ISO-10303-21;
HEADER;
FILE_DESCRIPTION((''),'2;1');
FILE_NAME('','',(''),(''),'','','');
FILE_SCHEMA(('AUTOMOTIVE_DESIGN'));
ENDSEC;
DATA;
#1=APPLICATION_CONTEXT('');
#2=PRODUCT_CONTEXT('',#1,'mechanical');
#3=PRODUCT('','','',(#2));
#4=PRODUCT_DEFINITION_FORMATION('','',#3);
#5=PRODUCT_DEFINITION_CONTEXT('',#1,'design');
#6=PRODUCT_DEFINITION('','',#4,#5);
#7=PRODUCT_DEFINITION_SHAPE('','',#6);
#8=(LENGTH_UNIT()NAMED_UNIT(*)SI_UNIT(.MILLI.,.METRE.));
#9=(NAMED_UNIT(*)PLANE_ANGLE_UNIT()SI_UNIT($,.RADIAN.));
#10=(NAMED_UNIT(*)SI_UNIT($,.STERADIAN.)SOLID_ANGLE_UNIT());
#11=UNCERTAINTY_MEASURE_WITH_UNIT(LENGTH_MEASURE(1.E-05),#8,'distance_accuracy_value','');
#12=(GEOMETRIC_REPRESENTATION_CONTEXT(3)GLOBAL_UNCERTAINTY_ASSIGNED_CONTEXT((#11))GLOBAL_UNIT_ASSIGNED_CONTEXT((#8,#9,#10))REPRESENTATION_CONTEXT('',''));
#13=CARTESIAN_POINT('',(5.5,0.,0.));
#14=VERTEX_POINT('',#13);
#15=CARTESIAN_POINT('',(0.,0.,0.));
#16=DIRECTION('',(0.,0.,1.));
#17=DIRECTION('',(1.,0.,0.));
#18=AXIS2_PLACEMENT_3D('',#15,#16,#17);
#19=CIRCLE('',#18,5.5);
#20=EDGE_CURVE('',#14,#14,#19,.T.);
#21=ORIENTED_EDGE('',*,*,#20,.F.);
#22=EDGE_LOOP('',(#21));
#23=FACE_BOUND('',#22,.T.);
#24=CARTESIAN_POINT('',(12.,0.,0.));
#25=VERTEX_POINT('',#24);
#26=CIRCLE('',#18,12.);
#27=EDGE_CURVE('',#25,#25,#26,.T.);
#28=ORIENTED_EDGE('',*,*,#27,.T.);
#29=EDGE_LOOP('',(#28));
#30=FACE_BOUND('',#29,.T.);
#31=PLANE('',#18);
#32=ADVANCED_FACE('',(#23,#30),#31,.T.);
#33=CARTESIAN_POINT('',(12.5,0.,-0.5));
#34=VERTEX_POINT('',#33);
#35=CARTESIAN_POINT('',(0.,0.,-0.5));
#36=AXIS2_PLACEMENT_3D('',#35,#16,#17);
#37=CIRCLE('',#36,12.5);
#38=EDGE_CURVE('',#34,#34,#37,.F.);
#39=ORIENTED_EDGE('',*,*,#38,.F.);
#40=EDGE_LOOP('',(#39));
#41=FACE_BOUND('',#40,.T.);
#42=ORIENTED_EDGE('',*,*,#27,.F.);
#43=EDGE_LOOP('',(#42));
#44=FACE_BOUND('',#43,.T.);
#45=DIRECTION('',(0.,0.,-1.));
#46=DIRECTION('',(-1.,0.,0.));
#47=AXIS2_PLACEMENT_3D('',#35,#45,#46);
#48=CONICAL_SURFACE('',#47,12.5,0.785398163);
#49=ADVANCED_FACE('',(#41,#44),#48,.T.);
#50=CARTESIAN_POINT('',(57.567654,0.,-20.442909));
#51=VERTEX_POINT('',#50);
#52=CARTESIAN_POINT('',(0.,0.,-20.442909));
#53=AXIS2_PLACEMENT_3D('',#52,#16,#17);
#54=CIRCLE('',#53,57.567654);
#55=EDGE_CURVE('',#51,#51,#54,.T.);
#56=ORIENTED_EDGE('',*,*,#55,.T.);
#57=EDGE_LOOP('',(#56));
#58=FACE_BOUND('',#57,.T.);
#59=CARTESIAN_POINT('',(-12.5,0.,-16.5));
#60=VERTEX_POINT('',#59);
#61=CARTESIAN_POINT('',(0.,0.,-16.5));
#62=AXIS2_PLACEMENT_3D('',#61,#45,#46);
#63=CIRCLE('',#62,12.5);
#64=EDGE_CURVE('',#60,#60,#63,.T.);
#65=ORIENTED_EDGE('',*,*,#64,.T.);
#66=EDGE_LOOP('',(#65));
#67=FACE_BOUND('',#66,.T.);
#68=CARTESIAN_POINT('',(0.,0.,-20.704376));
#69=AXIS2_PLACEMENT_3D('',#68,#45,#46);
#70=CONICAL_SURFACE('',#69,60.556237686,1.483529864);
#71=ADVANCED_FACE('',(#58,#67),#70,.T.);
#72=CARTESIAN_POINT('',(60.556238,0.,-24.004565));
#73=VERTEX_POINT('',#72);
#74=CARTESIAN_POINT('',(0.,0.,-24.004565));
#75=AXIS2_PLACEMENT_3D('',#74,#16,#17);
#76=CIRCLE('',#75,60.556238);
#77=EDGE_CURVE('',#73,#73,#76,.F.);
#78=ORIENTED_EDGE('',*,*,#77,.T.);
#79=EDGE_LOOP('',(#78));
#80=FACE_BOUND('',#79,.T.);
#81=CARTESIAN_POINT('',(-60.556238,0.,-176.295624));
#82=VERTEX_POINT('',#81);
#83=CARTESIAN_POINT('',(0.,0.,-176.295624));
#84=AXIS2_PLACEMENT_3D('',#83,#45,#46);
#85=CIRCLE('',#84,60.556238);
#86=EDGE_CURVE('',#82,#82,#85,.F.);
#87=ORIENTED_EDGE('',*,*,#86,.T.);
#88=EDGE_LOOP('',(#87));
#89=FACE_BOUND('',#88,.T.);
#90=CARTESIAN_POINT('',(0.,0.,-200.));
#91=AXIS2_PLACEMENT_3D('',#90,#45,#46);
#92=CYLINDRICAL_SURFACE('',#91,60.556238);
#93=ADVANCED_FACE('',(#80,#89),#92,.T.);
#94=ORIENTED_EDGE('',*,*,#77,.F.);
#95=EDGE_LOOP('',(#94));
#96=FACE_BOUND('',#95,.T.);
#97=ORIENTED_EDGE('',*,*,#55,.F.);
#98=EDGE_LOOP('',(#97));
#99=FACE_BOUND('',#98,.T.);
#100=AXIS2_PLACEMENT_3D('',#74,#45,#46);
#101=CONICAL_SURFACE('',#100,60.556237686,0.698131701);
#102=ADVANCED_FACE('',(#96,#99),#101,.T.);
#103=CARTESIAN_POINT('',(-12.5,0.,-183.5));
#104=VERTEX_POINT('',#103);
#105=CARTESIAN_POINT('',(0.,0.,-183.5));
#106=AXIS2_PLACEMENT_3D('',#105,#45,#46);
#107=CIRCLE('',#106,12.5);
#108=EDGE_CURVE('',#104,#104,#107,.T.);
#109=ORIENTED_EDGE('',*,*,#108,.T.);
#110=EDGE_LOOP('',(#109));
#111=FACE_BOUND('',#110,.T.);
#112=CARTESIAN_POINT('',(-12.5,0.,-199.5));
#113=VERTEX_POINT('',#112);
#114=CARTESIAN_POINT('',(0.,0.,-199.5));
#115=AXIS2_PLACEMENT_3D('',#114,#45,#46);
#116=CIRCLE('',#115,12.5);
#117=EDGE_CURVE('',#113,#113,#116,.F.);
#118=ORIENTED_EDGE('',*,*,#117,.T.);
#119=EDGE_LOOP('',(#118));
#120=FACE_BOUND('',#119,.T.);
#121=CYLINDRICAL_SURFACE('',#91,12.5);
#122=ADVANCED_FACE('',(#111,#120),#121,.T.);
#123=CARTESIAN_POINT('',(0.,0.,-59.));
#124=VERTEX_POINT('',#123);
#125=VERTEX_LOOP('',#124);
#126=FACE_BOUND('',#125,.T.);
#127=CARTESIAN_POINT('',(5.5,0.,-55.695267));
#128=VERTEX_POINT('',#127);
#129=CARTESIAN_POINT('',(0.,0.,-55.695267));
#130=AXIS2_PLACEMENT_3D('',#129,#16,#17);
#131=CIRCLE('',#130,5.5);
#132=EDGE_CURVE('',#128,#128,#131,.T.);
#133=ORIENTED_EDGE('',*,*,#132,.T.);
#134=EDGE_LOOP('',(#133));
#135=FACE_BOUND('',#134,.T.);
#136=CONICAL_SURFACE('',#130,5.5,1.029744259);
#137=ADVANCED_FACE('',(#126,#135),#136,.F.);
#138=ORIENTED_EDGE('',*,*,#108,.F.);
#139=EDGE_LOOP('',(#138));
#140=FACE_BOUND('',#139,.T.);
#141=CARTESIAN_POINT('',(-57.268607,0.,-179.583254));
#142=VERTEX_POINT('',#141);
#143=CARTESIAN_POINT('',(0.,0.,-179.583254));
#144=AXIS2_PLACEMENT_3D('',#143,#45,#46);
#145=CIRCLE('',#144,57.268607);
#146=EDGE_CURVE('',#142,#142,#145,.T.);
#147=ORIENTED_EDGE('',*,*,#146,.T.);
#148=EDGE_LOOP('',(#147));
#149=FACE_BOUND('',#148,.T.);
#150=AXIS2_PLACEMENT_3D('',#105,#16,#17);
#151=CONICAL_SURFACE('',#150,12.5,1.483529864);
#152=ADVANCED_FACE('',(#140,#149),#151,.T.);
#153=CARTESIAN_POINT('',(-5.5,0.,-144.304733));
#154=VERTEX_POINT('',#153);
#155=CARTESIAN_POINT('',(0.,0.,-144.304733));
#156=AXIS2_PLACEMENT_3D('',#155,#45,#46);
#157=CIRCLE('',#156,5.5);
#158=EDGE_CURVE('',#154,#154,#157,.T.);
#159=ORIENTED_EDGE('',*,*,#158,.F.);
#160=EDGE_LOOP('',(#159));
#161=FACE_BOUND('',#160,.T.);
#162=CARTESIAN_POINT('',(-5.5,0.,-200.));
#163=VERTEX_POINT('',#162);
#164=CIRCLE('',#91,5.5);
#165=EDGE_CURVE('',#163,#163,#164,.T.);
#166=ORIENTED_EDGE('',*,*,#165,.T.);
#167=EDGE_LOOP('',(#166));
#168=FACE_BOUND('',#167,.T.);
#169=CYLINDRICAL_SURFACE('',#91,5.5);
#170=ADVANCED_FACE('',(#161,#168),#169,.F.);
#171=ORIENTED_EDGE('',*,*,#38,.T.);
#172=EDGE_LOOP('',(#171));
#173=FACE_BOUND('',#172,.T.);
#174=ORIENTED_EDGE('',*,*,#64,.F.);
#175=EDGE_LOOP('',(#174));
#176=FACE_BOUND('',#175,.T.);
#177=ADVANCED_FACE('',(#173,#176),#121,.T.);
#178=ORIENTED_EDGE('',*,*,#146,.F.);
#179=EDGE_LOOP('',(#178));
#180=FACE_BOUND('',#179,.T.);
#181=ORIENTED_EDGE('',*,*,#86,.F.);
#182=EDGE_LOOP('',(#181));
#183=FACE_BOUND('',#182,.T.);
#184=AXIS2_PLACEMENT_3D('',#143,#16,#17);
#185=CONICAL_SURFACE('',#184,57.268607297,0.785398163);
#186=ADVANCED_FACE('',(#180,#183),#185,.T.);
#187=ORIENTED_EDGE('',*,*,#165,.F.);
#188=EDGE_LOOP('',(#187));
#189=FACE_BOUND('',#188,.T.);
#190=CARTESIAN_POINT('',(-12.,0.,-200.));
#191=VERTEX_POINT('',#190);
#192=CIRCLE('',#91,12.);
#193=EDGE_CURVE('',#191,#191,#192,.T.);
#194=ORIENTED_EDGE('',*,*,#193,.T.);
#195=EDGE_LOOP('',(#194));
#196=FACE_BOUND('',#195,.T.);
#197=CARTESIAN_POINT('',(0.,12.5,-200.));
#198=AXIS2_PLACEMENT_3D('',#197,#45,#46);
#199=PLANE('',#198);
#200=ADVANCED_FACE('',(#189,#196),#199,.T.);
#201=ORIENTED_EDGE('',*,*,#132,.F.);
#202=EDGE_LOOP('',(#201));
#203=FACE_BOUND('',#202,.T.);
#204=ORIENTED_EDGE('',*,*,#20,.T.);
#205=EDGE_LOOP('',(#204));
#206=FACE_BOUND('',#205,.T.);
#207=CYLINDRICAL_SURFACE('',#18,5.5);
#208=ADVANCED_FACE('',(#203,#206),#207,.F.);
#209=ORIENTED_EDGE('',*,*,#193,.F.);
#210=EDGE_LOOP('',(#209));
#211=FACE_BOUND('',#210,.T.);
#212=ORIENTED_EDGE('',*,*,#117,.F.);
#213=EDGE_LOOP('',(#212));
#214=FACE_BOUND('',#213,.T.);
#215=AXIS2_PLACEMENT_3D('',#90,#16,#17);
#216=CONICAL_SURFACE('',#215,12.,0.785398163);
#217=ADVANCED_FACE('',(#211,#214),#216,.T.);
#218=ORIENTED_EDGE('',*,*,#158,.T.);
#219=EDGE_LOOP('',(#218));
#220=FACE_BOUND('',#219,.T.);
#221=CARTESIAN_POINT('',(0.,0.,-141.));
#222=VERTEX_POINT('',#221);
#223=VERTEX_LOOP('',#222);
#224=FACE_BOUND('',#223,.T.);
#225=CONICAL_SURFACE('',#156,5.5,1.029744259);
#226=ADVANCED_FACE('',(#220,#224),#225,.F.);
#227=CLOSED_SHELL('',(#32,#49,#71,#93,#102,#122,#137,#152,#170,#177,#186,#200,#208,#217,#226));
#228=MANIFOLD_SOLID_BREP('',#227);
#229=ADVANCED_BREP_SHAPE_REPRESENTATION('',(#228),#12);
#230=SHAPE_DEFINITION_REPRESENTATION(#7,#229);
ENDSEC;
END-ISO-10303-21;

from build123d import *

# Parameters (mm, degrees)
CHAFL_N1_SIZE2                    = 3.300188603
CHAFL_N1_SIZE                     = 3
CHAFL_N1_EDGE_2_SIZE2             = 3
CHAFL_N1_EDGE_2_SIZE              = 3.300188603
CHAFL_N2_SIZE                     = 0.5
TALADRO_DE_MARGEN_PARA_M101_D     = 11
TALADRO_DE_MARGEN_PARA_M101_DEPTH = 55.695266595
TALADRO_DE_MARGEN_PARA_M101_TIP   = 3.304733405
TALADRO_DE_MARGEN_PARA_M102_D     = 11
TALADRO_DE_MARGEN_PARA_M102_DEPTH = 55.695266595
TALADRO_DE_MARGEN_PARA_M102_TIP   = 3.304733405


with BuildPart() as part:
    # Croquis1 → Revolución1 (revolve)
    with BuildSketch(Plane(origin=(0, 0, 0), x_dir=(0, 0, -1), z_dir=(1, 0, 0))):
        Polygon((0, 0), (0, 12.5), (16.5, 12.5), (20.704376009, 60.556237686), (179.295623991, 60.556237686), (183.5, 12.5), (200, 12.5), (200, 0), align=None)
    revolve(axis=Axis((0, 0, -200), (0, 0, 1)))

    # Chaflán1
    chafl_n1_edges = [part.edges().sort_by_distance(p)[0] for p in [
        (0, -60.556237686, -179.295623991),
    ]]
    chamfer(chafl_n1_edges, length=CHAFL_N1_SIZE, length2=CHAFL_N1_SIZE2)

    # Chaflán1 edge 2
    chafl_n1_edge_2_edges = [part.edges().sort_by_distance(p)[0] for p in [
        (0, -60.556237686, -20.704376009),
    ]]
    chamfer(chafl_n1_edge_2_edges, length=CHAFL_N1_EDGE_2_SIZE, length2=CHAFL_N1_EDGE_2_SIZE2)

    # Chaflán2
    chafl_n2_edges = [part.edges().sort_by_distance(p)[0] for p in [
        (0, -12.5, -200),
        (0, -12.5, 0),
    ]]
    chamfer(chafl_n2_edges, length=CHAFL_N2_SIZE)

    # Taladro de margen para M101
    with Locations(Plane(origin=(0, 0, -200), x_dir=(-1, 0, 0), z_dir=(0, 0, -1))):
        with Locations((0, 0)):
            Hole(TALADRO_DE_MARGEN_PARA_M101_D / 2, depth=TALADRO_DE_MARGEN_PARA_M101_DEPTH)
            with Locations((0, 0, -(TALADRO_DE_MARGEN_PARA_M101_DEPTH + TALADRO_DE_MARGEN_PARA_M101_TIP / 2))):  # 118° drill point
                Cone(0, TALADRO_DE_MARGEN_PARA_M101_D / 2, TALADRO_DE_MARGEN_PARA_M101_TIP, mode=Mode.SUBTRACT)

    # Taladro de margen para M102
    with Locations(Plane.XY):
        with Locations((0, 0)):
            Hole(TALADRO_DE_MARGEN_PARA_M102_D / 2, depth=TALADRO_DE_MARGEN_PARA_M102_DEPTH)
            with Locations((0, 0, -(TALADRO_DE_MARGEN_PARA_M102_DEPTH + TALADRO_DE_MARGEN_PARA_M102_TIP / 2))):  # 118° drill point
                Cone(0, TALADRO_DE_MARGEN_PARA_M102_D / 2, TALADRO_DE_MARGEN_PARA_M102_TIP, mode=Mode.SUBTRACT)


solid = part.part
